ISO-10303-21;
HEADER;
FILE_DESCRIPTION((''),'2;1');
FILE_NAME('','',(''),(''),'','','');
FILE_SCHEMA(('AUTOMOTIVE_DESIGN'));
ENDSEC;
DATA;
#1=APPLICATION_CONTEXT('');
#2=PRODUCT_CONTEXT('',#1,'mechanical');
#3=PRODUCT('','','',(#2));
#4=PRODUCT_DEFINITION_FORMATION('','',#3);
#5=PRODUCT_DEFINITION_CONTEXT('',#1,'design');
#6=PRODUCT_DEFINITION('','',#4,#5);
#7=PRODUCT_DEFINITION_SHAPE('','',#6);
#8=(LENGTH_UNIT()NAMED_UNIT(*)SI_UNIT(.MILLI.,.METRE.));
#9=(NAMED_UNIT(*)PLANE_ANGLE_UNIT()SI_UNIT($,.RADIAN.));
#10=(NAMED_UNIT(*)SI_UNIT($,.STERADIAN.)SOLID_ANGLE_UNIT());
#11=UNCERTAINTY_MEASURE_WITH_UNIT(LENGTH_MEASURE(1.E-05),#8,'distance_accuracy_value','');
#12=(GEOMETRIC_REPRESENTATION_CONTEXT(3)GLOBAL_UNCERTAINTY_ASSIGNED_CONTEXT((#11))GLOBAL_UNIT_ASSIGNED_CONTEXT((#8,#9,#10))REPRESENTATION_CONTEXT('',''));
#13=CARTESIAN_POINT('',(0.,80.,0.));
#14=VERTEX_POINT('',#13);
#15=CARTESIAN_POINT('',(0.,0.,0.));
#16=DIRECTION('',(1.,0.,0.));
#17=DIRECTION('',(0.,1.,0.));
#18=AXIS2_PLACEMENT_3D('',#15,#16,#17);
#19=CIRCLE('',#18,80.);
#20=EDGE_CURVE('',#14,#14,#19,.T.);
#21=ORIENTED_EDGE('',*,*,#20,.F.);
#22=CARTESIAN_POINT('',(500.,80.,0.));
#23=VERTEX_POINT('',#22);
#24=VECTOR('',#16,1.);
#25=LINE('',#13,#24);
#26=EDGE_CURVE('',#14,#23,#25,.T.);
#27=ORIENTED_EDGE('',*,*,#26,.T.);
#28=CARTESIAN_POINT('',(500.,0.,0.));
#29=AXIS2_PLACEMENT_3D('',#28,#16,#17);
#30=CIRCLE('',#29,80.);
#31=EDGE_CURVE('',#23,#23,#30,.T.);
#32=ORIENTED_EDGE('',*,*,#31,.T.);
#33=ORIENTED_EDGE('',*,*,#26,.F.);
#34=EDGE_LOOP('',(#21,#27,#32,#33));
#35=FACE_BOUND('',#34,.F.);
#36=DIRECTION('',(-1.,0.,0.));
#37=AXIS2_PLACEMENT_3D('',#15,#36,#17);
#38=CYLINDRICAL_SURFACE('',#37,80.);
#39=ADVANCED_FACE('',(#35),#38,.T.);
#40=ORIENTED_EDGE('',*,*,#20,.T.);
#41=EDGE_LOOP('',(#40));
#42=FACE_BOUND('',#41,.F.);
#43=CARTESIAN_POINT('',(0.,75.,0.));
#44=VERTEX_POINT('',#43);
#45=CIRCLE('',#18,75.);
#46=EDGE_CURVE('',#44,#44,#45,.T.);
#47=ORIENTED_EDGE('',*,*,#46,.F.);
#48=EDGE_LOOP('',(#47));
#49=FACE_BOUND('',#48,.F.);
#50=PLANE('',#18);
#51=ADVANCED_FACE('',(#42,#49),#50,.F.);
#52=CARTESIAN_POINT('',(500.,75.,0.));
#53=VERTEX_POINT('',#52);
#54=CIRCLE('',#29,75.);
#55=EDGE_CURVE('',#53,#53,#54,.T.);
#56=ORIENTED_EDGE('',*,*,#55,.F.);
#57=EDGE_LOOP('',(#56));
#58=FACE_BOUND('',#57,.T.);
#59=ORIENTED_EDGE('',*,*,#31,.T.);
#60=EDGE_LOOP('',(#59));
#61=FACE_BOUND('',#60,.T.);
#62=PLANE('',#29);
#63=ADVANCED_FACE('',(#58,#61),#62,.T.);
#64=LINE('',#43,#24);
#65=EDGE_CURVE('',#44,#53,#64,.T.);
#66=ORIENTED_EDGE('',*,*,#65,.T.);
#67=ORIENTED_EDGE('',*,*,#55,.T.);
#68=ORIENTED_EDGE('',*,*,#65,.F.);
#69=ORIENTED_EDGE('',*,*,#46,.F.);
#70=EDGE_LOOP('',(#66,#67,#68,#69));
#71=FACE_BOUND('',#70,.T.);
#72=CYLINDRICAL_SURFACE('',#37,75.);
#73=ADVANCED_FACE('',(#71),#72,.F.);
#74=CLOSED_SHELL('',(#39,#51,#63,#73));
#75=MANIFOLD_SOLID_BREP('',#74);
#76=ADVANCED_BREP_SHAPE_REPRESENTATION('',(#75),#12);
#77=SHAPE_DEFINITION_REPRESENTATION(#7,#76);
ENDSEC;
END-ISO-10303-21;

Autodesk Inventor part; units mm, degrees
ref_plane "YZ Plane" through (0, 0, 0) normal (1, 0, 0) x (0, 1, 0)
ref_plane "XZ Plane" through (0, 0, 0) normal (0, 1, 0) x (-1, 0, 0)
ref_plane "XY Plane" through (0, 0, 0) normal (0, 0, 1) x (1, 0, 0)
sketch "Эскиз1" plane through (0, 0, 0) normal (1, 0, 0) x (0, 1, 0)
  circle A0 centre (0, 0) radius 80
  circle A1 centre (0, 0) radius 75
  dimension "d0" = 160
  dimension "d1" = 150
extrude "Выдавливание1" add sketch "Эскиз1" along normal blind 500
properties part number "труба"
